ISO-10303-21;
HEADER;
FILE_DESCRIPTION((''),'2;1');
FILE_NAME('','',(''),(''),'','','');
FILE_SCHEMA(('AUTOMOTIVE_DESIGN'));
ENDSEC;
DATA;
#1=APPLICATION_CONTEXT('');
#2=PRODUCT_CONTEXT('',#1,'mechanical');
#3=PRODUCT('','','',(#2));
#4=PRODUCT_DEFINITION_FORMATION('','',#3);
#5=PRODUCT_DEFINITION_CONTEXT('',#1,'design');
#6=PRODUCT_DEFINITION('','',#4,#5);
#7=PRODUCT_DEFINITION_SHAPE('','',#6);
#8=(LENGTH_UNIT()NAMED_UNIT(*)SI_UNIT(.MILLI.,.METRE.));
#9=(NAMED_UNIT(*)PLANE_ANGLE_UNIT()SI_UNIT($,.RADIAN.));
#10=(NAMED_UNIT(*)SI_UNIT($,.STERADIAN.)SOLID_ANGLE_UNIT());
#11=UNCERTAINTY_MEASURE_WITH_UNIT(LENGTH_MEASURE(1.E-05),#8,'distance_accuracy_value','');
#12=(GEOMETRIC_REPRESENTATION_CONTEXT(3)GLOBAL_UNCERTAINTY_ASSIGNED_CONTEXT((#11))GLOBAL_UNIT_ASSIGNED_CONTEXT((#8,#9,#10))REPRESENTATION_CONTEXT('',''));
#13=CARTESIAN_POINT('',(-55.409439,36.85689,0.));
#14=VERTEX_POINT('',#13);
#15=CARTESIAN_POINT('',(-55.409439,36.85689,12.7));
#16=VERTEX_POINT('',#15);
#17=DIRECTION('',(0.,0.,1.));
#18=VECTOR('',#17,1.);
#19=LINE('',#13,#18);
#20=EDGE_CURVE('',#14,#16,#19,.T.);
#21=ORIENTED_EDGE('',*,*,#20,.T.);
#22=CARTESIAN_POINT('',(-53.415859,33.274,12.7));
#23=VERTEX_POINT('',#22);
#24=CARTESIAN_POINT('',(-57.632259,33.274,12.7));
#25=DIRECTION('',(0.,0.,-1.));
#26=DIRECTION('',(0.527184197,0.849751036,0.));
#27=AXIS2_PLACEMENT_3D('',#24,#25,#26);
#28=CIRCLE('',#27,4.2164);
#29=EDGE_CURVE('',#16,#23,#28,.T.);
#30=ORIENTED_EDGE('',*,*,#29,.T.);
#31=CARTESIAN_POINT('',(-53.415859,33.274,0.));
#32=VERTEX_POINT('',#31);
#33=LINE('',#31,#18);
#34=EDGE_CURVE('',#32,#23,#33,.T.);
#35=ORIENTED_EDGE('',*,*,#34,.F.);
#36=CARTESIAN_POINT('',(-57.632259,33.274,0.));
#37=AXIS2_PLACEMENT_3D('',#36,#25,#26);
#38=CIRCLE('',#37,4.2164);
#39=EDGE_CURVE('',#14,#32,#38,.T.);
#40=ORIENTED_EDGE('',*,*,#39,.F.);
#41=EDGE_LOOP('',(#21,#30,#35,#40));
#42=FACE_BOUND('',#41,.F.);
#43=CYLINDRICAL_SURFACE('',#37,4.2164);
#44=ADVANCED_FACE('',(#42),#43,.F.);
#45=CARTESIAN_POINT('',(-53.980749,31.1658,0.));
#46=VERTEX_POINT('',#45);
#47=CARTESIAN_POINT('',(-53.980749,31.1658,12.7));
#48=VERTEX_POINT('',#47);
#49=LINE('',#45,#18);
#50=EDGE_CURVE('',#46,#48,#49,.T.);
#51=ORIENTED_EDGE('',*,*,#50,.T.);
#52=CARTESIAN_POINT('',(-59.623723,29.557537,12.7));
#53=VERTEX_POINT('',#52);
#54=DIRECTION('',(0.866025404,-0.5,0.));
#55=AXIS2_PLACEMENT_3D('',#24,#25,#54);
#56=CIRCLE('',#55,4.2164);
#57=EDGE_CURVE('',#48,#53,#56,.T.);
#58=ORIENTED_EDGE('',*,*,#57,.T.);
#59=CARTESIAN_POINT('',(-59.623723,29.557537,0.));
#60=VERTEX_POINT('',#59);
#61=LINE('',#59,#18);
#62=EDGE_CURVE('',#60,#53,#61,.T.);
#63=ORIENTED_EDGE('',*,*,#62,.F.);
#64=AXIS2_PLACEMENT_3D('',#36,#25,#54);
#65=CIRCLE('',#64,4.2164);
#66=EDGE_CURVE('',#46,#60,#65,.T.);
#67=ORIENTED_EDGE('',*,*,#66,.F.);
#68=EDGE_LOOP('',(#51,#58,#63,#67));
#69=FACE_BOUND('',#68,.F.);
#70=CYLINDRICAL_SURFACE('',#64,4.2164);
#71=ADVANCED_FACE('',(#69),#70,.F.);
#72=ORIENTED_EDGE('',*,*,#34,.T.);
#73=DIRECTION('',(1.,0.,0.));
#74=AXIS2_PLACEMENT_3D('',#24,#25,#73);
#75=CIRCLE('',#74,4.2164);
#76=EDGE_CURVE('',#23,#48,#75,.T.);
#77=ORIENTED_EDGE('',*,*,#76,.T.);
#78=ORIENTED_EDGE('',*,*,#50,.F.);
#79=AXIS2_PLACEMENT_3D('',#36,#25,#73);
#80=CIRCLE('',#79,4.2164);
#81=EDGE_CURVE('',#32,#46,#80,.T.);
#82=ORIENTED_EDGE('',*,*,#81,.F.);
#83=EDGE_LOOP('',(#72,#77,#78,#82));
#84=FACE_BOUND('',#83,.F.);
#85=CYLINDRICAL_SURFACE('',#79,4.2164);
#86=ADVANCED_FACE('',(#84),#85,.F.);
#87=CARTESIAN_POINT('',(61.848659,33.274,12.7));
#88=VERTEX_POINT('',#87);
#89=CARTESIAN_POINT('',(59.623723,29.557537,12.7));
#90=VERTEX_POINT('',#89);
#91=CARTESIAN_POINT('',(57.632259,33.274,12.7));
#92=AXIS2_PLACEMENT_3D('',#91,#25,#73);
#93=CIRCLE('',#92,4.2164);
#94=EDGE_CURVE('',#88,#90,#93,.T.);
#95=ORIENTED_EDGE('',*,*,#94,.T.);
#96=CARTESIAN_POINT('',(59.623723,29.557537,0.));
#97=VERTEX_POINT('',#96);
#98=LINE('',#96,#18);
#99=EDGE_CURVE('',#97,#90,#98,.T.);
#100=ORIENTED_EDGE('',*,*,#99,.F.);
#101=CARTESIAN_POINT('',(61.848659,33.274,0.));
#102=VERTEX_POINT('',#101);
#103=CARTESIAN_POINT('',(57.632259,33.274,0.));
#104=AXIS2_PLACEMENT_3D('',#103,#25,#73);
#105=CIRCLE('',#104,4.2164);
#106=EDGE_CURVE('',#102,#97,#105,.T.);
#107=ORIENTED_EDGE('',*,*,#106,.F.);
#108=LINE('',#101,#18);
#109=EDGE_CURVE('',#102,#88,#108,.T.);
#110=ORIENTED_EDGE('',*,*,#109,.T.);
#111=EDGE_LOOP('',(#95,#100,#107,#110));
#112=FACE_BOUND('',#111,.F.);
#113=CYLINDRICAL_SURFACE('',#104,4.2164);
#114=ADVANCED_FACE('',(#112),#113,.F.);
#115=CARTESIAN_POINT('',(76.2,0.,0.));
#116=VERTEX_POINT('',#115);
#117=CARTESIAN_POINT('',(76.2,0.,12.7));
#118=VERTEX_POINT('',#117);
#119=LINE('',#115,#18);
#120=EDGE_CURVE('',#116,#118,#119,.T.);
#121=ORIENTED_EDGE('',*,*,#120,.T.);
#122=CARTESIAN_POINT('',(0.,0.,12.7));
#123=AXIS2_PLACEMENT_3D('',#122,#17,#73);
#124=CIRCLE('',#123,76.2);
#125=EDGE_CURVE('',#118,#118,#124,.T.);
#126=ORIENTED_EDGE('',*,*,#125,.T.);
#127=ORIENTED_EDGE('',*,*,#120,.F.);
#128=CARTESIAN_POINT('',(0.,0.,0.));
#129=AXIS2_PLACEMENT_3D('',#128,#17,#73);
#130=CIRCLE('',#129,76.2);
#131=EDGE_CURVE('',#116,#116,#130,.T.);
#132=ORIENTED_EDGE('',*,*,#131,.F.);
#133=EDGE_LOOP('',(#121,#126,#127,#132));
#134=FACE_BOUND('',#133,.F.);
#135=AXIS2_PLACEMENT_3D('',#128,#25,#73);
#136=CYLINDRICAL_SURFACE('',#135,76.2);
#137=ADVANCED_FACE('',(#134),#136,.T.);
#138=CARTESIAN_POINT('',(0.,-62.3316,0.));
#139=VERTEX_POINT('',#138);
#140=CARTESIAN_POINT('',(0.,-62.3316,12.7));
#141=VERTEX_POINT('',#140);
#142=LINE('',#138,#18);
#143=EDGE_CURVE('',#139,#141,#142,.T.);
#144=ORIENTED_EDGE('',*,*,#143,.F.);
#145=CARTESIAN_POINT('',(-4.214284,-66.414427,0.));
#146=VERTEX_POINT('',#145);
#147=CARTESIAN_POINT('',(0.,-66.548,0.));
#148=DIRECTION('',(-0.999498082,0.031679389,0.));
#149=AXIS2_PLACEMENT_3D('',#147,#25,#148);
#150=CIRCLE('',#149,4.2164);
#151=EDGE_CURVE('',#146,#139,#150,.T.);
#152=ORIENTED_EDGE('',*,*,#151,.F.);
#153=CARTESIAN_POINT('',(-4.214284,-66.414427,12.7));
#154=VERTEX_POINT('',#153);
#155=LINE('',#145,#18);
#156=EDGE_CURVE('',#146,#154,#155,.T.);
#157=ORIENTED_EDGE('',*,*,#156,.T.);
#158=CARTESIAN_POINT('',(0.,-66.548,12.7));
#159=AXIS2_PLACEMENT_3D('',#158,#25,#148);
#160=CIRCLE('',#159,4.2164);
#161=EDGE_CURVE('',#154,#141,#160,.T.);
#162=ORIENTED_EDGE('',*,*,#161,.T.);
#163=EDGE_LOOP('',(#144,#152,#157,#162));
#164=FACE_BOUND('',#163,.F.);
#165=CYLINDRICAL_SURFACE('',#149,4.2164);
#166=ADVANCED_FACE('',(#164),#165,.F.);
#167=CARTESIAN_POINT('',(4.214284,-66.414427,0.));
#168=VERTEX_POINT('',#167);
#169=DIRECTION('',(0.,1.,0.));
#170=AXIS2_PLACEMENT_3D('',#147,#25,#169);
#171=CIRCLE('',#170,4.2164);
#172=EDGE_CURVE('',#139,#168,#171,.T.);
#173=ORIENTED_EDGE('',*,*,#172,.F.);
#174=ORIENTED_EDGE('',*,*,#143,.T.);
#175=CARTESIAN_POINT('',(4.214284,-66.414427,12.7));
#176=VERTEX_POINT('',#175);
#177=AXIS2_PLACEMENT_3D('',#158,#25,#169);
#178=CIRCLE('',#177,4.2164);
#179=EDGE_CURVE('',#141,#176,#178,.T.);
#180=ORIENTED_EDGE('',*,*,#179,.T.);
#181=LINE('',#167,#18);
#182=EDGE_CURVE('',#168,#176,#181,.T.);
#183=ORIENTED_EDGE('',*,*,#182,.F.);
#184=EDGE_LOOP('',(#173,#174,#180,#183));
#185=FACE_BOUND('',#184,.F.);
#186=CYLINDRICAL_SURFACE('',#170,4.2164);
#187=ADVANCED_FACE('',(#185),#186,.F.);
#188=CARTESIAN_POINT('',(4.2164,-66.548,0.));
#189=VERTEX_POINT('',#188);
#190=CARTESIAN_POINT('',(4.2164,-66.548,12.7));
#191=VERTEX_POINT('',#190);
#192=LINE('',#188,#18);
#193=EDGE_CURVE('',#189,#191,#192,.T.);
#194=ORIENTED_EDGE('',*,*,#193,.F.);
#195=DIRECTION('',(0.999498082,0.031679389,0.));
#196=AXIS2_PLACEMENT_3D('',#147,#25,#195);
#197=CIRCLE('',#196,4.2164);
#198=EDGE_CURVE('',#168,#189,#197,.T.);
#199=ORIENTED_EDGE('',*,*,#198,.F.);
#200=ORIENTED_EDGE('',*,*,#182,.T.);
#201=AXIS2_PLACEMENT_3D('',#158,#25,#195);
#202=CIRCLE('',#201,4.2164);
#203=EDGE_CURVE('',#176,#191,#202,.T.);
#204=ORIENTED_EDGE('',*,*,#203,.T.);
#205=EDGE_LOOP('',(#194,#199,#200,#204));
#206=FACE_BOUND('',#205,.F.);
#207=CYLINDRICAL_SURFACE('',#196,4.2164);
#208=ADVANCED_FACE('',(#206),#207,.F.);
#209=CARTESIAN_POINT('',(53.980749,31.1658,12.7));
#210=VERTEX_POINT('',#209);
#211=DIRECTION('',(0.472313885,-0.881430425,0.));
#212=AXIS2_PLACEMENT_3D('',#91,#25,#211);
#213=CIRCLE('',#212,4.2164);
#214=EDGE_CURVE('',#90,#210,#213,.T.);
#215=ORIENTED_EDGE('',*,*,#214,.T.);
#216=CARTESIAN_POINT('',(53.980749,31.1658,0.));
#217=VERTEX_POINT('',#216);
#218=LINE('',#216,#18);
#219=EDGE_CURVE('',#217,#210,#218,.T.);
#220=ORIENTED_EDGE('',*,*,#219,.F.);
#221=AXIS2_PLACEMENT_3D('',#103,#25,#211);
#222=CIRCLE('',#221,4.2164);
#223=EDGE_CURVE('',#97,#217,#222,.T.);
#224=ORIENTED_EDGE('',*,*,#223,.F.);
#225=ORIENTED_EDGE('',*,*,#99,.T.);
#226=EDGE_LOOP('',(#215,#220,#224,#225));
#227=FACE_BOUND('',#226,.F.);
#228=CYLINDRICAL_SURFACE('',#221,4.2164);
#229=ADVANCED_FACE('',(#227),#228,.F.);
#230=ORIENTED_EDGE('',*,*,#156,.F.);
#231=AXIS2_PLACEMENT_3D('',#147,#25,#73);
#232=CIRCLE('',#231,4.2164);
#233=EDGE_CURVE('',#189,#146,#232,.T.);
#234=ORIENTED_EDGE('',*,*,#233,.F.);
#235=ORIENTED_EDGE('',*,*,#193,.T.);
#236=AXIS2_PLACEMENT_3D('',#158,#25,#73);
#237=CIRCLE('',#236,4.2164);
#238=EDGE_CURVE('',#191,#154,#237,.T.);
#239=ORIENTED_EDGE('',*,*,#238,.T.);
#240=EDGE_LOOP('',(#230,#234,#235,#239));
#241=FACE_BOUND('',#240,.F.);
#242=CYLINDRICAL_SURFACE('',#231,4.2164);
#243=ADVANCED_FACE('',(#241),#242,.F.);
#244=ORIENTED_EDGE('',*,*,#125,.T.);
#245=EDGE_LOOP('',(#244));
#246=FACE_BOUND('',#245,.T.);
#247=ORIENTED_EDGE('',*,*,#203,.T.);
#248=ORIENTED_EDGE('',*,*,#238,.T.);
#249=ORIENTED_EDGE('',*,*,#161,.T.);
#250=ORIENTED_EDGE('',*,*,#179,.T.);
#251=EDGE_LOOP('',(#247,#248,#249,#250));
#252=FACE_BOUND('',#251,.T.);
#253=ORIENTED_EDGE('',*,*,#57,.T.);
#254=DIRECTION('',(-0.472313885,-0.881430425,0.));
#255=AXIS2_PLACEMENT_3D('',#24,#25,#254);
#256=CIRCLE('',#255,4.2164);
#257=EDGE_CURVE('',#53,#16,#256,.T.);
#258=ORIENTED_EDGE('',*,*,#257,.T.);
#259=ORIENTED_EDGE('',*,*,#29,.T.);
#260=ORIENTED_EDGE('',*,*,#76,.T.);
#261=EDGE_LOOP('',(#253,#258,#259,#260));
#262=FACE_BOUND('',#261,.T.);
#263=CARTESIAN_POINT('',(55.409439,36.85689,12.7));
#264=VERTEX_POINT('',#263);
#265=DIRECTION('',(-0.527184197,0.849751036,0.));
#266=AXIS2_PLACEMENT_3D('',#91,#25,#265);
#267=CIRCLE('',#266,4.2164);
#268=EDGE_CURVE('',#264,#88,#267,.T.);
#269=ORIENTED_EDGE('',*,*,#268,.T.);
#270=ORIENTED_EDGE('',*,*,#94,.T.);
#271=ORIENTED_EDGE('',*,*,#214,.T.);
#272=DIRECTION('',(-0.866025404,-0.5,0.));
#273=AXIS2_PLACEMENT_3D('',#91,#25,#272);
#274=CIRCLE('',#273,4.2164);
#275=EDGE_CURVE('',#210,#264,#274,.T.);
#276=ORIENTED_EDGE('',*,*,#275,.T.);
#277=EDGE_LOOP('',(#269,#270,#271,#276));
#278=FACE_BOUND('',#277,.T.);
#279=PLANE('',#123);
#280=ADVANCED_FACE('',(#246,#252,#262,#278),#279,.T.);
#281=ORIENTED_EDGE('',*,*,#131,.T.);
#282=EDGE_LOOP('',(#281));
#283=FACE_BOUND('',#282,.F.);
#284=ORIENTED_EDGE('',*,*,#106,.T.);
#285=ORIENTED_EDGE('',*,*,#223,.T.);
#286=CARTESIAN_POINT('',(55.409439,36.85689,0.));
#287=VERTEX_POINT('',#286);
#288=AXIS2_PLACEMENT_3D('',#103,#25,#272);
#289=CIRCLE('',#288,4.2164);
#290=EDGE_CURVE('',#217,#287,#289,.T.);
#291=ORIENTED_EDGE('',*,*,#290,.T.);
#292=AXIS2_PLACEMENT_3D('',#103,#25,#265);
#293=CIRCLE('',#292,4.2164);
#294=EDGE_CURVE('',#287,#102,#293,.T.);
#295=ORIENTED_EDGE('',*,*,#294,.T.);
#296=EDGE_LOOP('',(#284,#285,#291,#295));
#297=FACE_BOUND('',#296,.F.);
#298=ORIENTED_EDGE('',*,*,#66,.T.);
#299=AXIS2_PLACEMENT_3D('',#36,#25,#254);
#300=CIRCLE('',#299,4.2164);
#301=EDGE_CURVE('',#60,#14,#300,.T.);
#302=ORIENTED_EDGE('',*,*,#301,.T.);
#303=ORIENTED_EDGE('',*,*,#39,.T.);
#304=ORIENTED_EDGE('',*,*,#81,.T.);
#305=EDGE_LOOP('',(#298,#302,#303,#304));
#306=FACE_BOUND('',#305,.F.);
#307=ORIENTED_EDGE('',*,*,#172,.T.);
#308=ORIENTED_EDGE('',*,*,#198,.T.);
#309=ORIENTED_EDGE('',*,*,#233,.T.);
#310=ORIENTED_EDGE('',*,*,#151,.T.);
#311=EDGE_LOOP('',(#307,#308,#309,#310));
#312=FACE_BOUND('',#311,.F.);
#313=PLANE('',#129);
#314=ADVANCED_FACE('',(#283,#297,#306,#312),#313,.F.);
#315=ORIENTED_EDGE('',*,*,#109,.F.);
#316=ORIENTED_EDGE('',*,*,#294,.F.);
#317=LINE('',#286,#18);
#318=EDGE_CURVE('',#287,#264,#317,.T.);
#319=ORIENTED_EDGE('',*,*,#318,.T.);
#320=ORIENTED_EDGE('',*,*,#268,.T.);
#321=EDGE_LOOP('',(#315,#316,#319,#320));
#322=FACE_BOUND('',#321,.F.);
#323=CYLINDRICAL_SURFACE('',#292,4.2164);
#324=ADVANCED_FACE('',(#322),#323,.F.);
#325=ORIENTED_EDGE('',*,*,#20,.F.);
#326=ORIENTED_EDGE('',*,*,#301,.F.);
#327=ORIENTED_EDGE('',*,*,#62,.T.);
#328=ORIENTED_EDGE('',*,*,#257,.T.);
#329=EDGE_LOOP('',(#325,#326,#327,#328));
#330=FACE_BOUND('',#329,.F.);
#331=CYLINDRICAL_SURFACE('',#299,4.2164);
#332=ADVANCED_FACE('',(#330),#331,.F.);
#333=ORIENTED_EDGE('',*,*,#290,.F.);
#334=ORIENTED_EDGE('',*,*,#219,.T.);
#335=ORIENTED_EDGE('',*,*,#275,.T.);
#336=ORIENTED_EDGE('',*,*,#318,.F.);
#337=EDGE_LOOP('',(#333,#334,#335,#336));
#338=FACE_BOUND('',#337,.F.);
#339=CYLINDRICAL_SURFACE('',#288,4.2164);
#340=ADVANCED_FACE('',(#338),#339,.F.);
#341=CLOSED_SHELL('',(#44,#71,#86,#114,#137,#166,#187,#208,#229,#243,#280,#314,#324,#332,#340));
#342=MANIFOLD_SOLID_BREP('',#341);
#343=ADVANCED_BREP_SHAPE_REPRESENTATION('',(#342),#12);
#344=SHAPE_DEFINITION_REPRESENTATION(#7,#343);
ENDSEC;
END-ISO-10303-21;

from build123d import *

# Parameters (mm, degrees)
F0_R     = 76.2
F1_DEPTH = 12.7


with BuildPart() as f1:
    # F0 (on Top) → F1 (new body)
    with BuildSketch(Plane.XY):
        Circle(F0_R)
        with BuildLine():
            ThreePointArc((59.6237228365, 29.5575367566), (64.7938107049, 15.1788800094), (66.548, 0))
            ThreePointArc((66.548, 0), (48.5236460738, -45.5422010416), (4.2142837137, -66.4144270229))
            ThreePointArc((4.2142837137, -66.4144270229), (4.2158708952, -66.4812051295), (4.2164, -66.548))
            ThreePointArc((4.2164, -66.548), (-0.0667948705, -70.7638708952), (-4.2142837137, -66.4144270229))
            ThreePointArc((-4.2142837137, -66.4144270229), (-57.632258571, -33.274), (-59.6237228365, 29.5575367566))
            ThreePointArc((-59.6237228365, 29.5575367566), (-61.2837680836, 35.3822), (-55.4094391228, 36.8568902663))
            ThreePointArc((-55.4094391228, 36.8568902663), (0, 66.548), (55.4094391228, 36.8568902663))
            ThreePointArc((55.4094391228, 36.8568902663), (59.682347964, 36.9584487296), (61.848658571, 33.274))
            ThreePointArc((61.848658571, 33.274), (61.2499124302, 31.1082184977), (59.6237228365, 29.5575367566))
        make_face(mode=Mode.SUBTRACT)
        with BuildLine():
            ThreePointArc((-4.2142837137, -66.4144270229), (-2.9338397928, -63.5196979955), (0, -62.3316))
            Line((0, -62.3316), (0, 0))
            Line((0, 0), (-53.9807490585, 31.1658))
            ThreePointArc((-53.9807490585, 31.1658), (-56.4765920012, 29.2190692066), (-59.6237228365, 29.5575367566))
            ThreePointArc((-59.6237228365, 29.5575367566), (-57.632258571, -33.274), (-4.2142837137, -66.4144270229))
        make_face()
        with BuildLine():
            Line((0, 0), (53.9807490585, 31.1658))
            ThreePointArc((53.9807490585, 31.1658), (53.5427522084, 34.3006287889), (55.4094391228, 36.8568902663))
            ThreePointArc((55.4094391228, 36.8568902663), (0, 66.548), (-55.4094391228, 36.8568902663))
            ThreePointArc((-55.4094391228, 36.8568902663), (-53.9478098415, 35.324089393), (-53.415858571, 33.274))
            ThreePointArc((-53.415858571, 33.274), (-53.5595289171, 32.1827153782), (-53.9807490585, 31.1658))
            Line((-53.9807490585, 31.1658), (0, 0))
        make_face()
        with BuildLine():
            ThreePointArc((4.2142837137, -66.4144270229), (48.5236460738, -45.5422010416), (66.548, 0))
            ThreePointArc((66.548, 0), (64.7938107049, 15.1788800094), (59.6237228365, 29.5575367566))
            ThreePointArc((59.6237228365, 29.5575367566), (56.4765920012, 29.2190692066), (53.9807490585, 31.1658))
            Line((53.9807490585, 31.1658), (0, 0))
            Line((0, 0), (0, -62.3316))
            ThreePointArc((0, -62.3316), (2.9338397928, -63.5196979955), (4.2142837137, -66.4144270229))
        make_face()
    extrude(amount=F1_DEPTH)


solid = f1.part
